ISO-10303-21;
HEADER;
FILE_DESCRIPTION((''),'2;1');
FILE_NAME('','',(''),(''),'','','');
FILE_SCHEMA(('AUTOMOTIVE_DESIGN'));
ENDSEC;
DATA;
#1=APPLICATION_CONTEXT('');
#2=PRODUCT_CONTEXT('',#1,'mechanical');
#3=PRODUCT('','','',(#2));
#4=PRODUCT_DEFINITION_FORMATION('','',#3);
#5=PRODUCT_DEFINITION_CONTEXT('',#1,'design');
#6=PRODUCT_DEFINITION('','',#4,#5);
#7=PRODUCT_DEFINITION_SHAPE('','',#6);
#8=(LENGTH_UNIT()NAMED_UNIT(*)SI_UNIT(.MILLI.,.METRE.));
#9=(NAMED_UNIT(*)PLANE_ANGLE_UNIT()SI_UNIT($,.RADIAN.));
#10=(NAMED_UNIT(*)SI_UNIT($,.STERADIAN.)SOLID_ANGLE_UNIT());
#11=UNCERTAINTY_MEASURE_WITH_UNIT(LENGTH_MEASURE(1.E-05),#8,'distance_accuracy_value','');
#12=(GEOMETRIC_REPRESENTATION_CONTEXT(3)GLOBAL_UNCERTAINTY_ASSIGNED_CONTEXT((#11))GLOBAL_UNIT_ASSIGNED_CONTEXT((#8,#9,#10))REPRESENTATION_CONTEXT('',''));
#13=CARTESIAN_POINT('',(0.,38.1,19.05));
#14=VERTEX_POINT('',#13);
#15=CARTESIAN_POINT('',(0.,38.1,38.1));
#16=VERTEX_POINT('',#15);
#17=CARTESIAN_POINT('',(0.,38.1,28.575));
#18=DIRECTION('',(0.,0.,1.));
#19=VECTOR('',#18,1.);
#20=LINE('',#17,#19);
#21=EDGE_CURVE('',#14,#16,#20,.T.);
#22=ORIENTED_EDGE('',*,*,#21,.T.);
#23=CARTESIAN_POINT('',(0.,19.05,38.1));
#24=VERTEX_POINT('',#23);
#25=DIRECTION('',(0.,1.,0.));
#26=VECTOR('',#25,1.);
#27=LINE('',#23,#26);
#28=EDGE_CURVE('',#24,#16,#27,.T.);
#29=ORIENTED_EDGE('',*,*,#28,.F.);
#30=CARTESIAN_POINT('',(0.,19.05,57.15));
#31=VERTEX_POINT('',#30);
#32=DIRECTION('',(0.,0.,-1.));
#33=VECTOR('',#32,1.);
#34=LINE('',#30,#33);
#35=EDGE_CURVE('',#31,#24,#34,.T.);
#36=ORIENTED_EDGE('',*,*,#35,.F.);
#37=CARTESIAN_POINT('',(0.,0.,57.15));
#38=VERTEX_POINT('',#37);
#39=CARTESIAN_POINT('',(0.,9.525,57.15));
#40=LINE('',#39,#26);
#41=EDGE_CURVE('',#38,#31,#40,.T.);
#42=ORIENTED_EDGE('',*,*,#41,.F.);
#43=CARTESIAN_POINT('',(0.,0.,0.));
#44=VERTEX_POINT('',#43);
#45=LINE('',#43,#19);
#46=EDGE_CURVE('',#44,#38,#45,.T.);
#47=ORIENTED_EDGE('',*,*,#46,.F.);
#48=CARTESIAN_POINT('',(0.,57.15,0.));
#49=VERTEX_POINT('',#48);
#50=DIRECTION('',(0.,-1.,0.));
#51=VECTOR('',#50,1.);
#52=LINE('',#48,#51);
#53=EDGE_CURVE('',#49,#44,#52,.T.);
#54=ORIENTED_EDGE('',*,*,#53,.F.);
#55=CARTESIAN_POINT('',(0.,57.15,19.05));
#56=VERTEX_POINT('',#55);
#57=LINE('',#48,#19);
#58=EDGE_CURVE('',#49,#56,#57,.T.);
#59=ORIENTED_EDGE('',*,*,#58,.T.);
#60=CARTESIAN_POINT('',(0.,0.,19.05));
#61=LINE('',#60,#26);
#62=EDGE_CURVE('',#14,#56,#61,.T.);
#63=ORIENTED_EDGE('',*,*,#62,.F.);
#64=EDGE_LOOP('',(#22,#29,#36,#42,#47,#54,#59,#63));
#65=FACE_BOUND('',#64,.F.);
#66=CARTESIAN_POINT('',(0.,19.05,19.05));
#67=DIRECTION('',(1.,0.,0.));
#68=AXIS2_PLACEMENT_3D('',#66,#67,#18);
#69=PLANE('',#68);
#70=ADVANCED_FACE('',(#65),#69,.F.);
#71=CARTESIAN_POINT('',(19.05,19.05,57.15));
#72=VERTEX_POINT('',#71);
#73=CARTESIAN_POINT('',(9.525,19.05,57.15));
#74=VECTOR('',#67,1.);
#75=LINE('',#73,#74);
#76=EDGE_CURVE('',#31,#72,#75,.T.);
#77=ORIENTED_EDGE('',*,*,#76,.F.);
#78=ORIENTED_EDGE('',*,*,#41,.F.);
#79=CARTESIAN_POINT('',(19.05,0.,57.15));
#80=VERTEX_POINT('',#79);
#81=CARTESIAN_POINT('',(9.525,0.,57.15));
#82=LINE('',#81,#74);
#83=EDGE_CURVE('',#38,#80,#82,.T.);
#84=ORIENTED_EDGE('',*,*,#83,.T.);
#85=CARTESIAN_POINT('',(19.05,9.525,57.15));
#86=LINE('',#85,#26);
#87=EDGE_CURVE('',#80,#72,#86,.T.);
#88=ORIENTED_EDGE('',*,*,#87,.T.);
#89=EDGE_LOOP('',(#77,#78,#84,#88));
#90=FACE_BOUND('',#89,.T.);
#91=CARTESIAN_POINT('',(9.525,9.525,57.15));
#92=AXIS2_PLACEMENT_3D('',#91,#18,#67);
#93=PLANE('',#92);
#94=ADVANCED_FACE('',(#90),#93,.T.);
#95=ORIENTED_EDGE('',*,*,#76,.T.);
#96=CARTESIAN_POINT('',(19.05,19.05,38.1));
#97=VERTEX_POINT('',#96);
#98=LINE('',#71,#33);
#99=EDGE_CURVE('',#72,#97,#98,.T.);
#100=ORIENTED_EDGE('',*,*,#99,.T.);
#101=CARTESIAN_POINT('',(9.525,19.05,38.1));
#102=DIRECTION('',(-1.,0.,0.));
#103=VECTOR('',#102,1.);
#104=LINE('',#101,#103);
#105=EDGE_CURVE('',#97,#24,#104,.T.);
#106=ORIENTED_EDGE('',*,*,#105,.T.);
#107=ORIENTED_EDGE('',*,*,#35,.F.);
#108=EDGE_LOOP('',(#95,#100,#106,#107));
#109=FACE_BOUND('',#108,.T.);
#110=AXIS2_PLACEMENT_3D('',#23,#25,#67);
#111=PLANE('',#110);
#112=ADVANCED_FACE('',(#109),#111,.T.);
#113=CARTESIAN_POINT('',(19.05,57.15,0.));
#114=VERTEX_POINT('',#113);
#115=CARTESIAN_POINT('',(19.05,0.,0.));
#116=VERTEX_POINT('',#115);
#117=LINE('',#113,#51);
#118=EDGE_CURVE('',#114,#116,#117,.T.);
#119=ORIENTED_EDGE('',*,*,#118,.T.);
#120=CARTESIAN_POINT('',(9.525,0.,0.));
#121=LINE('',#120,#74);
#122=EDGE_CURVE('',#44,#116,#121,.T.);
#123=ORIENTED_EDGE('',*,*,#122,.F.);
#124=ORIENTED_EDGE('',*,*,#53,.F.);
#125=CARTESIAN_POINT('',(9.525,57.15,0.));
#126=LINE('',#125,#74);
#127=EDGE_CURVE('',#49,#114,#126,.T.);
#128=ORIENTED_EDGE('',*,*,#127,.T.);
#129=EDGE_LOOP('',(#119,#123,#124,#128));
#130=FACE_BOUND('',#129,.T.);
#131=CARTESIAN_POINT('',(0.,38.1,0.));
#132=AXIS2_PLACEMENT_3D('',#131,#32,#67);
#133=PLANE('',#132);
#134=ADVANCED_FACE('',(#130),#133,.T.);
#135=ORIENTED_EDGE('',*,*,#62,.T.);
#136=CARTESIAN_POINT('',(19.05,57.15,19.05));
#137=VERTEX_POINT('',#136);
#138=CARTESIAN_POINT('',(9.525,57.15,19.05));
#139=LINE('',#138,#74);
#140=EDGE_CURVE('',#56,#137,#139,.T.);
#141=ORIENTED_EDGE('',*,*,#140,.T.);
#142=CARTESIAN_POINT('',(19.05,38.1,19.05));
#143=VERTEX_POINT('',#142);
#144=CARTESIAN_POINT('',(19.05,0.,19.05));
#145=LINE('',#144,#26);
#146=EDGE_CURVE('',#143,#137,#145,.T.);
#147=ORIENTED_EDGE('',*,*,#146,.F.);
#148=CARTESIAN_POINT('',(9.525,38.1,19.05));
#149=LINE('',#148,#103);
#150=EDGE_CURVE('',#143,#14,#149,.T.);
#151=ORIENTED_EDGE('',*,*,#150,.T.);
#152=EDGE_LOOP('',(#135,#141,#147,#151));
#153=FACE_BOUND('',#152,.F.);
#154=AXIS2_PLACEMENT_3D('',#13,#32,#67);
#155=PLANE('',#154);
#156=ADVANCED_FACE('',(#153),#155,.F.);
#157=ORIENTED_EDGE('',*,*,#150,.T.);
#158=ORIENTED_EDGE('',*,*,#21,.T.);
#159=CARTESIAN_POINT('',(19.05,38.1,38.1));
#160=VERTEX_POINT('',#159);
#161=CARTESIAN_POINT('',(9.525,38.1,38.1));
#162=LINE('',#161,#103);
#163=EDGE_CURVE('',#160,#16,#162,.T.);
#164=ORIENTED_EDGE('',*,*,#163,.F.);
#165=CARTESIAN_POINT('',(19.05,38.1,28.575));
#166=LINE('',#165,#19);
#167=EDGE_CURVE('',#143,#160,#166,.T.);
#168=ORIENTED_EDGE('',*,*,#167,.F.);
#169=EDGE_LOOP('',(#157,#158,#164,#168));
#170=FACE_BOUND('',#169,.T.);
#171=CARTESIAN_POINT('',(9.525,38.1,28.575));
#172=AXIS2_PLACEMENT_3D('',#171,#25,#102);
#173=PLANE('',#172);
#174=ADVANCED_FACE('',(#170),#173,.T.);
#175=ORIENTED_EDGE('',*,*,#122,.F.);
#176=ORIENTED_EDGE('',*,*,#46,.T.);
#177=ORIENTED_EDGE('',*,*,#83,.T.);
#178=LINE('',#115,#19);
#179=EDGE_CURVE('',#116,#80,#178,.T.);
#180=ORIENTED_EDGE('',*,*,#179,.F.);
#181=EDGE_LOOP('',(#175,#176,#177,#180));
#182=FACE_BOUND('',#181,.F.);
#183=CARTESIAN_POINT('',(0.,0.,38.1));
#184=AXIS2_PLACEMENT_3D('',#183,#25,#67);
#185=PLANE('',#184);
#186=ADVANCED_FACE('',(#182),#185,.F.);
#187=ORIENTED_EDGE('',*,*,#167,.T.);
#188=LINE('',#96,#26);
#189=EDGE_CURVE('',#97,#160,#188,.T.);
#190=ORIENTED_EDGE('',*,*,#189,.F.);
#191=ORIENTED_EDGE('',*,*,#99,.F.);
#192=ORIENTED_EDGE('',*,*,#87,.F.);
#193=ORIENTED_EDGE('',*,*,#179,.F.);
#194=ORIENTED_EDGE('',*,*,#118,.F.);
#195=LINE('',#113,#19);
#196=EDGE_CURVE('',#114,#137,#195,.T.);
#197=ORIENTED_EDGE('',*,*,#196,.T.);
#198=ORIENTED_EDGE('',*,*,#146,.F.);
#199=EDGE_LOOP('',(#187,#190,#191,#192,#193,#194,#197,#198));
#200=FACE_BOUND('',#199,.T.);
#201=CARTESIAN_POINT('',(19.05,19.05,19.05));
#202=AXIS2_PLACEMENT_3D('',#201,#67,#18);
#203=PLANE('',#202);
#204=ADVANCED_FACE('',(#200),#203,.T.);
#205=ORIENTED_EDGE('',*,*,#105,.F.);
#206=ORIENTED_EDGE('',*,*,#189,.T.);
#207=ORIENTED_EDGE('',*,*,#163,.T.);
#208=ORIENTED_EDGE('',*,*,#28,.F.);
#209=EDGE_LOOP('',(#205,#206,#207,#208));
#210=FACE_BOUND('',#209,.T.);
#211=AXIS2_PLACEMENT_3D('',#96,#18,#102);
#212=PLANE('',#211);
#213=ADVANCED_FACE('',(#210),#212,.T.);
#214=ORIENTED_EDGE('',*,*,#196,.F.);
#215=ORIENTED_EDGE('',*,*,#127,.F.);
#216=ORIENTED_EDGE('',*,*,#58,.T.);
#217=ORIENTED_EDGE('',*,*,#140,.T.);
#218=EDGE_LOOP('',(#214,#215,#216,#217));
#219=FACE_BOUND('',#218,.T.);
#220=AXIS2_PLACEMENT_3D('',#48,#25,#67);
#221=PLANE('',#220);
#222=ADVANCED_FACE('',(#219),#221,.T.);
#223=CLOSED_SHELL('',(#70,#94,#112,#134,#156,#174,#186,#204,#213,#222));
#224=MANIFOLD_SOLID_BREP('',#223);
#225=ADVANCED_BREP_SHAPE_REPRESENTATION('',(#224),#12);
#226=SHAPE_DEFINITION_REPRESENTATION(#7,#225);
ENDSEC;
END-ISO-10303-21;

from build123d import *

# Parameters (mm, degrees)
F0_W     = 19.05
F0_H     = 19.05
F1_DEPTH = 19.05
F2_DEPTH = 19.05
F4_DEPTH = 19.05
F3_W     = 19.05
F3_H     = 19.05
F5_DEPTH = 19.05
F6_DEPTH = 19.05
F7_W     = 19.05
F7_H     = 19.05
F8_DEPTH = 19.05


with BuildPart() as f1:
    # F0 (on Top) → F1 (new body)
    with BuildSketch(Plane.XY):
        with Locations((9.525, 9.525)):
            Rectangle(F0_W, F0_H)
    extrude(amount=F1_DEPTH)

    # F2 (add): a face of the model
    f2_faces = [f1.faces().sort_by_distance(p)[0] for p in [
        (9.525, 19.05, 9.525),
    ]]
    extrude(f2_faces, amount=F2_DEPTH)

    # F4 (add): a face of the model
    f4_faces = [f1.faces().sort_by_distance(p)[0] for p in [
        (9.525, 38.1, 9.525),
    ]]
    extrude(f4_faces, amount=F4_DEPTH)

    # F3 (on face) → F5 (join)
    with BuildSketch(Plane.XY.offset(19.05)):
        with Locations((9.525, 9.525)):
            Rectangle(F3_W, F3_H)
    extrude(amount=F5_DEPTH)

    # F6 (add): a face of the model
    f6_faces = [f1.faces().sort_by_distance(p)[0] for p in [
        (9.525, 9.525, 38.1),
    ]]
    extrude(f6_faces, amount=F6_DEPTH)

    # F7 (on face) → F8 (join)
    with BuildSketch(Plane(origin=(0, 19.05, 0), x_dir=(-1, 0, 0), z_dir=(0, 1, 0))):
        with Locations((-9.525, 28.575)):
            Rectangle(F7_W, F7_H)
    extrude(amount=F8_DEPTH)


solid = f1.part
